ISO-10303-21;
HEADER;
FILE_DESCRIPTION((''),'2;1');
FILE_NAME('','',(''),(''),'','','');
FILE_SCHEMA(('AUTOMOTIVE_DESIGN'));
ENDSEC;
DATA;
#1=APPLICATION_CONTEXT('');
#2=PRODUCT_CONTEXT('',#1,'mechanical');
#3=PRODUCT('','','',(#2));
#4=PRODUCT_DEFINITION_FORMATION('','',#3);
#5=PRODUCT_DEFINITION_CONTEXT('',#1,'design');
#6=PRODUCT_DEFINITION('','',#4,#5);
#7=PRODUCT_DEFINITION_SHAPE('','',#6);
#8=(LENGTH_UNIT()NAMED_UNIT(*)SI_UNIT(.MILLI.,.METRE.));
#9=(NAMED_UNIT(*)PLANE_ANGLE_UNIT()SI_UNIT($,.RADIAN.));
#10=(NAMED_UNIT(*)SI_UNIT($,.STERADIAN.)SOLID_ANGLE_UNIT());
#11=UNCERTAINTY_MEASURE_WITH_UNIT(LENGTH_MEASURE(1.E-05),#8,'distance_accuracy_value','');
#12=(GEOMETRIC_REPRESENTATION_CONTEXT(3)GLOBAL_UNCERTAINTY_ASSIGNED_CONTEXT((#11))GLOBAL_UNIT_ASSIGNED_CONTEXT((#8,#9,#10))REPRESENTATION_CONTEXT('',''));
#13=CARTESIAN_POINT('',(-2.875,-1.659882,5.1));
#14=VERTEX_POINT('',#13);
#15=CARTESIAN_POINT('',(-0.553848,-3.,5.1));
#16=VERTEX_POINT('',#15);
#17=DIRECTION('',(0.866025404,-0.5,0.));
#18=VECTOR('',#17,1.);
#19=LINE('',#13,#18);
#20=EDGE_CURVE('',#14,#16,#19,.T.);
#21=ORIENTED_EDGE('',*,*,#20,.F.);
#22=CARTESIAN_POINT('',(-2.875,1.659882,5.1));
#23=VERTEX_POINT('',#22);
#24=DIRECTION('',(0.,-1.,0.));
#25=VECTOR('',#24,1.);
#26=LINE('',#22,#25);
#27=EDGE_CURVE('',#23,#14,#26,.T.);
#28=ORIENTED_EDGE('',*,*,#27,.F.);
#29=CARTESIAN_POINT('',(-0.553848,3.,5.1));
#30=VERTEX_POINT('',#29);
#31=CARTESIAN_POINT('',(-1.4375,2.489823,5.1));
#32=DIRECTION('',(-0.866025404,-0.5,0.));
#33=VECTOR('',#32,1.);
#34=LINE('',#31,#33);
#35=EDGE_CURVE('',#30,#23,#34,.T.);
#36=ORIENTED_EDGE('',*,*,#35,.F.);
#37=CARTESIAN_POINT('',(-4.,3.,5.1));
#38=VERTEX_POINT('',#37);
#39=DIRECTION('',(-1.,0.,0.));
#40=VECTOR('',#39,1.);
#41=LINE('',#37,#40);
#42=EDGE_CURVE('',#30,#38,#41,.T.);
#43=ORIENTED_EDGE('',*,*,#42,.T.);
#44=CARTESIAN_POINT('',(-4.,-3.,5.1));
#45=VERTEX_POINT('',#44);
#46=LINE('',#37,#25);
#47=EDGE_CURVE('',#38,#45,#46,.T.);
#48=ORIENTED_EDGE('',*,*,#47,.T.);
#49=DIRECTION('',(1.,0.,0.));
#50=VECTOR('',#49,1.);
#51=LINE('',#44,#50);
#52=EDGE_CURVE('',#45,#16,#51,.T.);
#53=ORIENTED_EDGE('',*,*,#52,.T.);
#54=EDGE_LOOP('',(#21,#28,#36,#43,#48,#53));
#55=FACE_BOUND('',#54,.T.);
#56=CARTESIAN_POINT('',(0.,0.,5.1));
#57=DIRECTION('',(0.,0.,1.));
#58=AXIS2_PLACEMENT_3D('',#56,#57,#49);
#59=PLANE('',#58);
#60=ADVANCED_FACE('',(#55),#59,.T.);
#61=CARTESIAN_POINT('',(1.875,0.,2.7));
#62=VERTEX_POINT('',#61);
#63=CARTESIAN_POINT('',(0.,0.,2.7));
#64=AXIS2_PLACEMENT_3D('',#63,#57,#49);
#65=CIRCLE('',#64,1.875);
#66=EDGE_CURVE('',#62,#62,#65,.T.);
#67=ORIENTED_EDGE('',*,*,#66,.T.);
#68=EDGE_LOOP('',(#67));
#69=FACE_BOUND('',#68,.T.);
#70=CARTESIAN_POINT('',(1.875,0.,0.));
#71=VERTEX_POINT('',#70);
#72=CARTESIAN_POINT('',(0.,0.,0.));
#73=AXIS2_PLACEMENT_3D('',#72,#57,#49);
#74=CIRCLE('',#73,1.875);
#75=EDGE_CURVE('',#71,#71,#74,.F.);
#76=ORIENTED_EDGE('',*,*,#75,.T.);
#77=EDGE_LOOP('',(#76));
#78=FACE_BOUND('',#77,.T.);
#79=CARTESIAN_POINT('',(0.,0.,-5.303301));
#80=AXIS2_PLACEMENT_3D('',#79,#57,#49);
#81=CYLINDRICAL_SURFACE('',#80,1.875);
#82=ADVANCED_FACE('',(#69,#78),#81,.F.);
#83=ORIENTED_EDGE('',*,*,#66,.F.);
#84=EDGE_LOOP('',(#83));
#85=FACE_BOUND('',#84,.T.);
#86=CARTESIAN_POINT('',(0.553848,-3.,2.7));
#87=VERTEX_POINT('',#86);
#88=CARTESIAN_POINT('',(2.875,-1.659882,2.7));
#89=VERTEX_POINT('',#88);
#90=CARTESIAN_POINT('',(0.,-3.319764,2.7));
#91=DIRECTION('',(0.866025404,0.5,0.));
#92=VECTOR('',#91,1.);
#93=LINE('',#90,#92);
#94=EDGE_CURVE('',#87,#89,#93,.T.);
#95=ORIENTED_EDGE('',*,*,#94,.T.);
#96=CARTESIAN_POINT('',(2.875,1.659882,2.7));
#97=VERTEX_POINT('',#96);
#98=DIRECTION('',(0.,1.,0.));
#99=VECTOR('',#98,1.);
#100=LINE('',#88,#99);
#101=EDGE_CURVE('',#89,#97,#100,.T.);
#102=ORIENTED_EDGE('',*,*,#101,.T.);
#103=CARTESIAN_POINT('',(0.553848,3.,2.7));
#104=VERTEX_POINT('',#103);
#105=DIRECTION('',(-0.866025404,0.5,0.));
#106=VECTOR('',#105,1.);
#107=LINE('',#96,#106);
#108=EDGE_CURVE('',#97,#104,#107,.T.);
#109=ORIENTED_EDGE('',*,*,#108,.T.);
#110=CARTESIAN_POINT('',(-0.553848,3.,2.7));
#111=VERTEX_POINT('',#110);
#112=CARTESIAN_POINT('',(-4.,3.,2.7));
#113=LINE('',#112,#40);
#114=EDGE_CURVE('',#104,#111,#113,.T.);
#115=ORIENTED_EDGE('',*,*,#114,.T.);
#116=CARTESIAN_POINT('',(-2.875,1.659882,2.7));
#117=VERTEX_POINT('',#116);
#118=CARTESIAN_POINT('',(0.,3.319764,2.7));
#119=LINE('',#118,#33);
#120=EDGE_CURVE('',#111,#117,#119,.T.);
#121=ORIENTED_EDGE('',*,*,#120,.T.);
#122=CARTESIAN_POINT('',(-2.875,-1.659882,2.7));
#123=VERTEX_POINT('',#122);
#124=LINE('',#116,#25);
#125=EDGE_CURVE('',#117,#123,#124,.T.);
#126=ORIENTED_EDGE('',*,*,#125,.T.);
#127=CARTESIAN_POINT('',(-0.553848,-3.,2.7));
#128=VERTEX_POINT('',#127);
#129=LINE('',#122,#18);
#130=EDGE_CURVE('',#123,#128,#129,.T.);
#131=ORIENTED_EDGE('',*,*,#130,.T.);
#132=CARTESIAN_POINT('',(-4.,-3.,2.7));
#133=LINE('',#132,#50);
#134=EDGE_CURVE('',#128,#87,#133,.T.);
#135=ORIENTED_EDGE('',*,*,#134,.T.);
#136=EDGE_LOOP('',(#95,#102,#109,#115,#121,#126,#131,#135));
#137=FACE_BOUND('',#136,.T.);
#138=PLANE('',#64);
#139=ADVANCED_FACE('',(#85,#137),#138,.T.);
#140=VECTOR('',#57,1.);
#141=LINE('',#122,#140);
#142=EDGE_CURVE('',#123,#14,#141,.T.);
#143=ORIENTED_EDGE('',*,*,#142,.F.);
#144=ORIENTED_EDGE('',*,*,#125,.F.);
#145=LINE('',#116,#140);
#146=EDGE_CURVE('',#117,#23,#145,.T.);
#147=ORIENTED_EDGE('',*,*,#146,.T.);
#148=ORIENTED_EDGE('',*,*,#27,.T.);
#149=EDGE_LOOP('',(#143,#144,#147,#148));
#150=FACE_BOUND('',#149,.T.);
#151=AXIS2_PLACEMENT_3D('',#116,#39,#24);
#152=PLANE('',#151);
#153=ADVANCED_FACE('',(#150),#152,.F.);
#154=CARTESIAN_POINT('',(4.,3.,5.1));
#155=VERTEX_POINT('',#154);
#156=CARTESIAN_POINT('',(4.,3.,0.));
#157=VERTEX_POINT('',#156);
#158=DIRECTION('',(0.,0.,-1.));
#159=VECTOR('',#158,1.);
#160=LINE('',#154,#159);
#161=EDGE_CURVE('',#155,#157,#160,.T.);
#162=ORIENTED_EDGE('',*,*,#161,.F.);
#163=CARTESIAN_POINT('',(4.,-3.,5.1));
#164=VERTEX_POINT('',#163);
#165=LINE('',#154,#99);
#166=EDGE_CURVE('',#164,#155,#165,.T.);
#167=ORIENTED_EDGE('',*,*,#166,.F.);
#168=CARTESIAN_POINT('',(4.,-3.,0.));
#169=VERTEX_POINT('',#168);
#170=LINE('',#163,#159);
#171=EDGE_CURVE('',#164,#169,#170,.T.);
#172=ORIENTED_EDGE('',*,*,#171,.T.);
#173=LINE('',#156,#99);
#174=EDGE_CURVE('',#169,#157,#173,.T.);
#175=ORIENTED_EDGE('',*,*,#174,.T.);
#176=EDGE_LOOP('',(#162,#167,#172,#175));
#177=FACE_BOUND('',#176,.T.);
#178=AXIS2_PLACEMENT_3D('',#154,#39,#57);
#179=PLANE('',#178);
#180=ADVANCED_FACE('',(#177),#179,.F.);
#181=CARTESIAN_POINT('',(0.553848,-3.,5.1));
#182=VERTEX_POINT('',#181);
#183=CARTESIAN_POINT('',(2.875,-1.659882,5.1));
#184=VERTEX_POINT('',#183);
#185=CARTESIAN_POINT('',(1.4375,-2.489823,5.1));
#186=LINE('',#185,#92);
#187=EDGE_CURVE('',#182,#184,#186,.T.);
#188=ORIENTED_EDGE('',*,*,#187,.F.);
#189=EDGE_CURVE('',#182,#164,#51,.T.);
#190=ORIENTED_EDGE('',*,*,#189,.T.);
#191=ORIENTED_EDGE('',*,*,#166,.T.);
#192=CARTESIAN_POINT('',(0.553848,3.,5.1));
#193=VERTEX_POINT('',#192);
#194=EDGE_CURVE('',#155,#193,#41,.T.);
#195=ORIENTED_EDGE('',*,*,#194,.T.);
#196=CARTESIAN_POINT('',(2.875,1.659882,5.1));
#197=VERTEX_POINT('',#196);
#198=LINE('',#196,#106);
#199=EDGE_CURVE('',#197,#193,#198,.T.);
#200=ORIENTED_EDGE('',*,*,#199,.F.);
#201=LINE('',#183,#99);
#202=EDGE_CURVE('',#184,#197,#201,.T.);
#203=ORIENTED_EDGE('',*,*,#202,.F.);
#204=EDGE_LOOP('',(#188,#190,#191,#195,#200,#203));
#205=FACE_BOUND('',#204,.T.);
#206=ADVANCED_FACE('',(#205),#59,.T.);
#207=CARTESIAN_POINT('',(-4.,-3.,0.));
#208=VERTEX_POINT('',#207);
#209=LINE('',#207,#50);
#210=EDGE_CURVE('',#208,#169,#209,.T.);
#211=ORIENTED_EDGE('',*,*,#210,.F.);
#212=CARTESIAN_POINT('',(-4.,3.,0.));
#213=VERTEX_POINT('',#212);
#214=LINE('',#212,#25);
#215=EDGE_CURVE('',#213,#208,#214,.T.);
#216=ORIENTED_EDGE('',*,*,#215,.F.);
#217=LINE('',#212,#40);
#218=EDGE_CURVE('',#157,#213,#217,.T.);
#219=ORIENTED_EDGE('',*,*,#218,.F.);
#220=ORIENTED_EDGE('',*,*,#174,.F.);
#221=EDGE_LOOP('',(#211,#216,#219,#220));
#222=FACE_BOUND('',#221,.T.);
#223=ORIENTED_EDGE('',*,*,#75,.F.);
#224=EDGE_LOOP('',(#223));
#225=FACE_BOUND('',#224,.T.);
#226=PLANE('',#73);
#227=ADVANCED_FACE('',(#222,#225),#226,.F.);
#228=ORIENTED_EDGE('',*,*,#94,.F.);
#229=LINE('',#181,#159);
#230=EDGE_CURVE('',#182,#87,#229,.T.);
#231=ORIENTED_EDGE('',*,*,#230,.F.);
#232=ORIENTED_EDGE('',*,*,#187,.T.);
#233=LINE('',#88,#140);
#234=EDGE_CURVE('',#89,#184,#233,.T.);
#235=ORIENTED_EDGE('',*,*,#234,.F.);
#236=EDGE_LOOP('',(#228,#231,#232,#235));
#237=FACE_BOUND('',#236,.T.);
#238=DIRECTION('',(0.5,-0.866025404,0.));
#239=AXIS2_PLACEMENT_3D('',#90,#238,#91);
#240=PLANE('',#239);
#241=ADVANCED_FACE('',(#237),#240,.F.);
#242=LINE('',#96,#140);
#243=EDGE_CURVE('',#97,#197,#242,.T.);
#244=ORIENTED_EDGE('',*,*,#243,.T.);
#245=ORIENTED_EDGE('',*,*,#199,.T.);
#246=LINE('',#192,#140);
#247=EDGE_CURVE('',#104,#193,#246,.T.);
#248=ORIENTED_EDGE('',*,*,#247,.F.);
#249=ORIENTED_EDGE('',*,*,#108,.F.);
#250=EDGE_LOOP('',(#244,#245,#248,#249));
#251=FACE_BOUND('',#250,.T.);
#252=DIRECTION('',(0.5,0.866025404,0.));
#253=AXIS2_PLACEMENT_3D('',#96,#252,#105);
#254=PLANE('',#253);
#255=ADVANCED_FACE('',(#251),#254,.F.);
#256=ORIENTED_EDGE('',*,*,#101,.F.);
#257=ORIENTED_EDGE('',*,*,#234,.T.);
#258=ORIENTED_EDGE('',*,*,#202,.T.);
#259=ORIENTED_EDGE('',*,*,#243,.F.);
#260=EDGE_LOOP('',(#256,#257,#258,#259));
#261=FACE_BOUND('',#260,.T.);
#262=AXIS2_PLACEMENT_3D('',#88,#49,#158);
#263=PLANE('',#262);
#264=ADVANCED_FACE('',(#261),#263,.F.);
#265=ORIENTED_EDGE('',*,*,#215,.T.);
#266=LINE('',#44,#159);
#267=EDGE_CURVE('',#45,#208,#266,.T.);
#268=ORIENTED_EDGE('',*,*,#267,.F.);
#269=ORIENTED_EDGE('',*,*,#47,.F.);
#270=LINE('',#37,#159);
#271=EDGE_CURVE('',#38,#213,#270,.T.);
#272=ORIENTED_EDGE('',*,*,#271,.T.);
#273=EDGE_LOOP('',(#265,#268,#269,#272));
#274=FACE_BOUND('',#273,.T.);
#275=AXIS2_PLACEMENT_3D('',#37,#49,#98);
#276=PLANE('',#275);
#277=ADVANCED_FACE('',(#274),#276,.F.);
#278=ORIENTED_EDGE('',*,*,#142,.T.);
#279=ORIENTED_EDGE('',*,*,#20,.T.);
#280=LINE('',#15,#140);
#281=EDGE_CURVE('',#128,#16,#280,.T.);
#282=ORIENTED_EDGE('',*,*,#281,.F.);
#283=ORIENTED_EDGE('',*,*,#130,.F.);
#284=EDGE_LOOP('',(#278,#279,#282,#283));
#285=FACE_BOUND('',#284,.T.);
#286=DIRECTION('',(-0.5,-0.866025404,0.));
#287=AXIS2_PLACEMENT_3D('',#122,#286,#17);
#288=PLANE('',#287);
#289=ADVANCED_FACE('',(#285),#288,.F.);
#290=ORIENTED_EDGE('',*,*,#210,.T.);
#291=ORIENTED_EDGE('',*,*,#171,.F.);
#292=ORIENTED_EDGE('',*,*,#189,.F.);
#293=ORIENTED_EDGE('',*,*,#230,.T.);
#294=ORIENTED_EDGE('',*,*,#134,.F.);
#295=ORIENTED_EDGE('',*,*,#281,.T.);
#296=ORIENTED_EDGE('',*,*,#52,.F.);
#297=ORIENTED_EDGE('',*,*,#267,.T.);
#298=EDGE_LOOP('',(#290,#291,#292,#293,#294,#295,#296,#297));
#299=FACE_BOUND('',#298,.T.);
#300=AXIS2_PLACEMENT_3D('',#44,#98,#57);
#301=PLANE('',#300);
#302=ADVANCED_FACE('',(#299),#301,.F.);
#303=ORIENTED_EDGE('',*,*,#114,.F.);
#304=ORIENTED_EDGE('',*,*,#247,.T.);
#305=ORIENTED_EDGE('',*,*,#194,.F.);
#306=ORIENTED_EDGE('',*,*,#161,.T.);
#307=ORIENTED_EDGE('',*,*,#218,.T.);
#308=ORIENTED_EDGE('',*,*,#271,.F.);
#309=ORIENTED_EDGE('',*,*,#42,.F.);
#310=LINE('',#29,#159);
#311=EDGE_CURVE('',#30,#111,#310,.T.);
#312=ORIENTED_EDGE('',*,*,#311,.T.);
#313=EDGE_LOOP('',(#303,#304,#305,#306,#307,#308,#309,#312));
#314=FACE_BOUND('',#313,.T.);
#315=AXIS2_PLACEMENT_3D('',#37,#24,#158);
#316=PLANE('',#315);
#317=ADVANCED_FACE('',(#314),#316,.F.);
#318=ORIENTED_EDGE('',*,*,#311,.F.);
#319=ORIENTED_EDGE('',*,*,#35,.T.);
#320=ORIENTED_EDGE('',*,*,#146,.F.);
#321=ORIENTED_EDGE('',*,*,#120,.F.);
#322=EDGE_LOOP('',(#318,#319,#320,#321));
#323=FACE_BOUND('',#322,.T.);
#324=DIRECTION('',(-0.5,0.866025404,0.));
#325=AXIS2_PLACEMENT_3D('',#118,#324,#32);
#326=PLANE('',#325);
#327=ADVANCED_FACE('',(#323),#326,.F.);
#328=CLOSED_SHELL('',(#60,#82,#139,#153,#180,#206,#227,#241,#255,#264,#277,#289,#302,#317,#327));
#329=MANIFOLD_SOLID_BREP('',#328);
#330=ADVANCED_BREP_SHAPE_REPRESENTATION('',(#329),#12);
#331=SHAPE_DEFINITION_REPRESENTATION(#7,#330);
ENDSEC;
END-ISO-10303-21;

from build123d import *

# Parameters (mm, degrees)
ESBO_O1_W                = 8
ESBO_O1_H                = 6
RESSALTO_EXTRUS_O1_DEPTH = 5.1
CORTE_EXTRUS_O1_DEPTH    = 2.4
ESBO_O3_R                = 1.875
CORTE_EXTRUS_O2_DEPTH    = 2.7


with BuildPart() as part:
    # Esboço1 → Ressalto-extrusão1 (new body)
    with BuildSketch(Plane.XY):
        Rectangle(ESBO_O1_W, ESBO_O1_H)
    extrude(amount=RESSALTO_EXTRUS_O1_DEPTH)

    # Esboço2 → Corte-extrusão1 (cut)
    with BuildSketch(Plane.XY.offset(5.1)):
        Polygon((0, -3.319764048), (2.875, -1.659882024), (2.875, 1.659882024), (0, 3.319764048), (-2.875, 1.659882024), (-2.875, -1.659882024), align=None)
    extrude(amount=-CORTE_EXTRUS_O1_DEPTH, mode=Mode.SUBTRACT)

    # Esboço3 → Corte-extrusão2 (cut)
    with BuildSketch(Plane.XY.offset(2.7)):
        Circle(ESBO_O3_R)
    extrude(amount=-CORTE_EXTRUS_O2_DEPTH, mode=Mode.SUBTRACT)


solid = part.part
